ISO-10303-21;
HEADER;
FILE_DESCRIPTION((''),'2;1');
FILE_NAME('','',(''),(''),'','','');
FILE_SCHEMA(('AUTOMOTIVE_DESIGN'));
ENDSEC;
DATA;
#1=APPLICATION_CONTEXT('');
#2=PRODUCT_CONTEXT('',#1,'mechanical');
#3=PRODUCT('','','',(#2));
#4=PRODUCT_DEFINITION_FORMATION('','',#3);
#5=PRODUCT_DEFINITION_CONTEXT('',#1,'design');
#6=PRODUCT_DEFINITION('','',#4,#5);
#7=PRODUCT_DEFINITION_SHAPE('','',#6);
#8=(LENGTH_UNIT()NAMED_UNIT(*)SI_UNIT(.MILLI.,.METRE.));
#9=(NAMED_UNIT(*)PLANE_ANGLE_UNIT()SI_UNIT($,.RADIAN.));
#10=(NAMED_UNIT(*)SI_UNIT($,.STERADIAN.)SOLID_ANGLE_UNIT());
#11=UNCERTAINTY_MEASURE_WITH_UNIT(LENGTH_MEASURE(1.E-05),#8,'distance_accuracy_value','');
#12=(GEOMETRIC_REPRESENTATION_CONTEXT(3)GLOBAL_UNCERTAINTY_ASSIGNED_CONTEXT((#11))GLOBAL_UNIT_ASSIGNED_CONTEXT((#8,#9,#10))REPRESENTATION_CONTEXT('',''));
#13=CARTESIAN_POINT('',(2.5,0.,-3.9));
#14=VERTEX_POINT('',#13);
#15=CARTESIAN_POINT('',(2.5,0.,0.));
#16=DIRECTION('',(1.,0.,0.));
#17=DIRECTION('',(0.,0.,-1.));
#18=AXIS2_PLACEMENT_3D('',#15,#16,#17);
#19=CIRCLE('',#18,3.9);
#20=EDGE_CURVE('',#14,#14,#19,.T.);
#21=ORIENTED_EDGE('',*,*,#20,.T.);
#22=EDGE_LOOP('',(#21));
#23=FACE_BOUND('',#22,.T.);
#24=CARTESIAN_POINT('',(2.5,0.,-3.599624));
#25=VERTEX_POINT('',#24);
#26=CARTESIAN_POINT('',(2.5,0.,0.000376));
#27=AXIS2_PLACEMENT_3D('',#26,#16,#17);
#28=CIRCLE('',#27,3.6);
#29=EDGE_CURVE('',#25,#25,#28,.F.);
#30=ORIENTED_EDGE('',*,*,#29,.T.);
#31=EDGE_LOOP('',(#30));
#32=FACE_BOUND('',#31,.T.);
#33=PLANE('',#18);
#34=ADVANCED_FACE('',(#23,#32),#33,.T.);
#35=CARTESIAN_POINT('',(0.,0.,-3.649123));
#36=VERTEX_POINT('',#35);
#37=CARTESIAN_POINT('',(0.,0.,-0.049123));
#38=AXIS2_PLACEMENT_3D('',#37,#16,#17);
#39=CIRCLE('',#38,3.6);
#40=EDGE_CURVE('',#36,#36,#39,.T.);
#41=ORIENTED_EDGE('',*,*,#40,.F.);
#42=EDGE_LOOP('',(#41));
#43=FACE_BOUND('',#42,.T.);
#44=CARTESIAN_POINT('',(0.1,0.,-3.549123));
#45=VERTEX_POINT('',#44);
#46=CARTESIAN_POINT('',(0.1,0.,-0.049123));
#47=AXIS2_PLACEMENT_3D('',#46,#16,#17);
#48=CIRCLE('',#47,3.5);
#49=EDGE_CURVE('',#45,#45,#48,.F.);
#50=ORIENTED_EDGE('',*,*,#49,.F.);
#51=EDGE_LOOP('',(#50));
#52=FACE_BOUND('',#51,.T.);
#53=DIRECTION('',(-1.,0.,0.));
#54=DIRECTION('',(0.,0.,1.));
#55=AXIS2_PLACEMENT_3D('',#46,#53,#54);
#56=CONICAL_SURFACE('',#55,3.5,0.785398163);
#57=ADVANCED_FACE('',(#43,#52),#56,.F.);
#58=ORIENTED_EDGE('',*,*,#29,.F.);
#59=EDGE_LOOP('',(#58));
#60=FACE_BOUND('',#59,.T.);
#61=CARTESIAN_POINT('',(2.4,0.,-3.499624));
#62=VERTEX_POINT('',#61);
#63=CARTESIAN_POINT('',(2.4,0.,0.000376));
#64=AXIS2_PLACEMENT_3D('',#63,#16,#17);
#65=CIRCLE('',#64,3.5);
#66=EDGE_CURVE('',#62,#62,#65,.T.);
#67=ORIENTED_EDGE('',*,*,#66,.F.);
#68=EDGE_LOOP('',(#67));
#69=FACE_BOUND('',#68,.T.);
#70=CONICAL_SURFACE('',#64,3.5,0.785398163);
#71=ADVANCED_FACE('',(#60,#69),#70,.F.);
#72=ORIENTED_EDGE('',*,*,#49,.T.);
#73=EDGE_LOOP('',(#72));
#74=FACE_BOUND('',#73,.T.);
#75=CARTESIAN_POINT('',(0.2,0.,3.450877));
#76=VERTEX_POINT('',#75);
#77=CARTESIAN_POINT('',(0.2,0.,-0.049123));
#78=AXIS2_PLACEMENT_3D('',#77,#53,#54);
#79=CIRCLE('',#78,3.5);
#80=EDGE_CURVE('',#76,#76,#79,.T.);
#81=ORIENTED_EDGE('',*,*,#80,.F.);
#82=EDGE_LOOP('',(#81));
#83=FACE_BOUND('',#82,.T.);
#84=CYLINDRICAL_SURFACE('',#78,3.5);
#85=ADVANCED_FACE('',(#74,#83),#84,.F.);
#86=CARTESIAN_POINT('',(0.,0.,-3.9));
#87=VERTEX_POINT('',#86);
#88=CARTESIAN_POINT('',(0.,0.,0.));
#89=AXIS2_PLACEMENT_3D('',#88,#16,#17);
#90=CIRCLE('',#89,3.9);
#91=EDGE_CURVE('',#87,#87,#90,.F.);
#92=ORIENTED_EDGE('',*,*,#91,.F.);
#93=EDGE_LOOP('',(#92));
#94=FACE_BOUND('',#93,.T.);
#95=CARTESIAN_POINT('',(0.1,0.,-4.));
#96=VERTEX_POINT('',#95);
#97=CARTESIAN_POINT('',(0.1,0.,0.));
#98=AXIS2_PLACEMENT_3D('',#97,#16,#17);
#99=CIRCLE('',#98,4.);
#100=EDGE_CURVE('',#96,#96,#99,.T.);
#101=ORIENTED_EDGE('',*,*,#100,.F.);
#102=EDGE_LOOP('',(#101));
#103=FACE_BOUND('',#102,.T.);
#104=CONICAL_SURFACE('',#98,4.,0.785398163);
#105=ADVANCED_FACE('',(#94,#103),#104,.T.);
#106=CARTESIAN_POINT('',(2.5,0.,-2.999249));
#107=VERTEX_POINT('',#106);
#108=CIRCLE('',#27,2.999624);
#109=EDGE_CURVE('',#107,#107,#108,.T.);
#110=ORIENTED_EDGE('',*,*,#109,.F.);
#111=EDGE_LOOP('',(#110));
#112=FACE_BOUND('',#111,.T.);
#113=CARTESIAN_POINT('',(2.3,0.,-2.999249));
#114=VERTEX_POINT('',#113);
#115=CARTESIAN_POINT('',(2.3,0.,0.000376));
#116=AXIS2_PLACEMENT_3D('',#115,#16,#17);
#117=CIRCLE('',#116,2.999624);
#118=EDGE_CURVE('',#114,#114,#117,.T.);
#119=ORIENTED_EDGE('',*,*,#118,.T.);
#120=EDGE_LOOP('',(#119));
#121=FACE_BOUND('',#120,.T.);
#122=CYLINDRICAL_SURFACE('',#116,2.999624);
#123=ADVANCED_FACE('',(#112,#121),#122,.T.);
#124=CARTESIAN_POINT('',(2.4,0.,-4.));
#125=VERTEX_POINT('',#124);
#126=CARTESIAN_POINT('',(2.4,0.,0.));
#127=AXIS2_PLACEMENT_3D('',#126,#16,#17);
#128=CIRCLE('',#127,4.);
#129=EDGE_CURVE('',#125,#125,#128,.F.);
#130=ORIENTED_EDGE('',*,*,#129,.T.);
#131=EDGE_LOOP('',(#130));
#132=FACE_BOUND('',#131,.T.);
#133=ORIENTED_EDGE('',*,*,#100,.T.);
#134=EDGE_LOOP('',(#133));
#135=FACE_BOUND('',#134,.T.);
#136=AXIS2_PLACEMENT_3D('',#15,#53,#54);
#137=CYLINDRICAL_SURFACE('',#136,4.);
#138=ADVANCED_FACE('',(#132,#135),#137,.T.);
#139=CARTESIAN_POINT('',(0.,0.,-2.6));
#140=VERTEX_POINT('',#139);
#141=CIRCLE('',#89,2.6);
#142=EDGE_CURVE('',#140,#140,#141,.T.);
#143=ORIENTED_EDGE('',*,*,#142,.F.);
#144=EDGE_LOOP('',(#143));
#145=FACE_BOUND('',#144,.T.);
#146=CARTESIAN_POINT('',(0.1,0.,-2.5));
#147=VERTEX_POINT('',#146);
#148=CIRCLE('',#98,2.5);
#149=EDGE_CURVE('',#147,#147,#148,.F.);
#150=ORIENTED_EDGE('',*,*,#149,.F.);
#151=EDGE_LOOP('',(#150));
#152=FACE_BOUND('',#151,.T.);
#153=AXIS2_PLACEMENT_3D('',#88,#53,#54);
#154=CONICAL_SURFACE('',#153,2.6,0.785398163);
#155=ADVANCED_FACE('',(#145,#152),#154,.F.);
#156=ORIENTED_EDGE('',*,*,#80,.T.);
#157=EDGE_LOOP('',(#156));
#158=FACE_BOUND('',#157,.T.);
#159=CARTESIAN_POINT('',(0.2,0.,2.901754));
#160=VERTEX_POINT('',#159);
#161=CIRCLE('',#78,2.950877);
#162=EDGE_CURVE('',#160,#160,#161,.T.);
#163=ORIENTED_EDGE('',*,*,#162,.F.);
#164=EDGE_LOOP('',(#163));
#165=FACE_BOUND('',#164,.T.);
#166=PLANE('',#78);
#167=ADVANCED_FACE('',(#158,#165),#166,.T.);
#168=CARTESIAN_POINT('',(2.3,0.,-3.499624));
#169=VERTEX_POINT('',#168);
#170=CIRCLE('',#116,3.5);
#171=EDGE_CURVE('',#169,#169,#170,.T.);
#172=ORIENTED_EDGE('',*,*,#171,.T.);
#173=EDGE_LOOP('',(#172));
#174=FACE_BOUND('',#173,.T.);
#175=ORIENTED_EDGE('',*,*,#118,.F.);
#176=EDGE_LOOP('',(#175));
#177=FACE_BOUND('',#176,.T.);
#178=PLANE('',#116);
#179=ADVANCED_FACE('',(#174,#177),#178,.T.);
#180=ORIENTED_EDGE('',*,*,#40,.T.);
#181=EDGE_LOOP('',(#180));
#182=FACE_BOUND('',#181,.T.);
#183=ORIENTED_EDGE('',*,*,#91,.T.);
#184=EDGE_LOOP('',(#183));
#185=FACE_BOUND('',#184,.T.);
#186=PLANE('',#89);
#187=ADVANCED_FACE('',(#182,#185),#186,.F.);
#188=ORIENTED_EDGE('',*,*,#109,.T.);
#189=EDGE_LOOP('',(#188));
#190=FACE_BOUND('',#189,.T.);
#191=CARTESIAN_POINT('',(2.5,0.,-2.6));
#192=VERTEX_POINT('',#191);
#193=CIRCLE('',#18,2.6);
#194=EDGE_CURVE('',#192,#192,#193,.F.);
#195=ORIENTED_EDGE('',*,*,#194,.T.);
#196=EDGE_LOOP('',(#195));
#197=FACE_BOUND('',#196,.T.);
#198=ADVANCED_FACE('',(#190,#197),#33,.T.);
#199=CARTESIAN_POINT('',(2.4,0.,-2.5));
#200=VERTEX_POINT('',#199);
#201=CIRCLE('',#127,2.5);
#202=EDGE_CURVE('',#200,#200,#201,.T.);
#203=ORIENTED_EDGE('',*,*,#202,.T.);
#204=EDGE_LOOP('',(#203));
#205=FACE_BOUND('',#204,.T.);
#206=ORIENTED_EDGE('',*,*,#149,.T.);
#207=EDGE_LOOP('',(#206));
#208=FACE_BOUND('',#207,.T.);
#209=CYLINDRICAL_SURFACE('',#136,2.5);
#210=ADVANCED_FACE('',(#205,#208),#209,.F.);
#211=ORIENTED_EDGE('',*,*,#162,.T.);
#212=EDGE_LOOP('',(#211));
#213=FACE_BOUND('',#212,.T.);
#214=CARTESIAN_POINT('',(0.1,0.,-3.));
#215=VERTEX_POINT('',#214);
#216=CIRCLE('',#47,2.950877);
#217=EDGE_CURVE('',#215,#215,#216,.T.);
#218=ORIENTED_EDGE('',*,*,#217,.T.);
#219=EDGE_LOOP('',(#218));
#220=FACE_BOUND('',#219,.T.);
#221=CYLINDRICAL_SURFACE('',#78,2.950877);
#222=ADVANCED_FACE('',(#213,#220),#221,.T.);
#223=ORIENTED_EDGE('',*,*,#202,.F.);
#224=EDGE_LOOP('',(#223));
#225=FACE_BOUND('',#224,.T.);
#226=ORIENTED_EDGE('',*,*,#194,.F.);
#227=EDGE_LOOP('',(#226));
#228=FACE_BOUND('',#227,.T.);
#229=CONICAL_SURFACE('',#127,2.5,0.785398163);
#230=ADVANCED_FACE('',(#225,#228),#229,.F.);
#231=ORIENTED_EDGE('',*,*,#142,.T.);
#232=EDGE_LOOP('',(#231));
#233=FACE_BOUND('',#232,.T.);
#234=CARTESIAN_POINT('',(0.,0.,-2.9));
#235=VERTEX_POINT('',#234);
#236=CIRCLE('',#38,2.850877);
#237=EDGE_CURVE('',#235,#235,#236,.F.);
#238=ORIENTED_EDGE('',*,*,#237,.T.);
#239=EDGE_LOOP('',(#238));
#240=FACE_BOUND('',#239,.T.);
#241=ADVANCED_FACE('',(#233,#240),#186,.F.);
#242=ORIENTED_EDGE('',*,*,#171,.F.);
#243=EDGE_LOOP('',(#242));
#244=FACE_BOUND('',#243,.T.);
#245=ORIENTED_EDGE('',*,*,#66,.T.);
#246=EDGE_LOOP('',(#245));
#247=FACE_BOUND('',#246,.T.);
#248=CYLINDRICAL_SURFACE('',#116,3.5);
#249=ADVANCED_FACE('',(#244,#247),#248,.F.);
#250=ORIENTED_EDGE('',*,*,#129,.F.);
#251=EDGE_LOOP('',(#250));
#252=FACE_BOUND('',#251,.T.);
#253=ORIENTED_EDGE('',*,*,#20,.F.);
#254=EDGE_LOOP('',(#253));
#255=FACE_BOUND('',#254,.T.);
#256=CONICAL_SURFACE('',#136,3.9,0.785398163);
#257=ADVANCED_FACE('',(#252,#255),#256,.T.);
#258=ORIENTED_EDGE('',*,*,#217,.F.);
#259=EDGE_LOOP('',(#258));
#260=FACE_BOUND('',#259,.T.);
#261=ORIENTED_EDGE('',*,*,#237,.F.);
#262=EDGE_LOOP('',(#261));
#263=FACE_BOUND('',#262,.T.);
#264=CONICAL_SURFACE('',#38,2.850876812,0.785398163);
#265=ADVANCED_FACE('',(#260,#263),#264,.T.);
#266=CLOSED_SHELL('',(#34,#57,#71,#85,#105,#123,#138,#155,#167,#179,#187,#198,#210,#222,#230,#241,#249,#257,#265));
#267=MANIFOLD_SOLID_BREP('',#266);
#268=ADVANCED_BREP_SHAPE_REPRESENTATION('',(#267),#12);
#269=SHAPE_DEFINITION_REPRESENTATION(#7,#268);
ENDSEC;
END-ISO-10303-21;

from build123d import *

# Parameters (mm, degrees)
SKETCH_1_R          = 4
SKETCH_1_R_2        = 2.5
EXTRUDE_1_DEPTH     = 2.5
SKETCH_2_R          = 3.5
SKETCH_2_R_2        = 2.999624375
CUT_EXTRUDE_1_DEPTH = 0.2
SKETCH_3_R          = 3.5
SKETCH_3_R_2        = 2.950876812
CUT_EXTRUDE_2_DEPTH = 0.2
CHAMFER_1_SIZE      = 0.1


with BuildPart() as part:
    # 草图1 → 凸台-拉伸1 (new body)
    with BuildSketch(Plane(origin=(0, 0, 0), x_dir=(0, 0, -1), z_dir=(1, 0, 0))):
        Circle(SKETCH_1_R)
        Circle(SKETCH_1_R_2, mode=Mode.SUBTRACT)
    extrude(amount=EXTRUDE_1_DEPTH)

    # 草图2 → 切除-拉伸1 (cut)
    with BuildSketch(Plane(origin=(2.5, 0, 0), x_dir=(0, 0, -1), z_dir=(1, 0, 0))):
        with Locations((-0.000375625, 0)):
            Circle(SKETCH_2_R)
        with Locations((-0.000375625, 0)):
            Circle(SKETCH_2_R_2, mode=Mode.SUBTRACT)
    extrude(amount=-CUT_EXTRUDE_1_DEPTH, mode=Mode.SUBTRACT)

    # 草图3 → 切除-拉伸2 (cut)
    with BuildSketch(Plane.ZY):
        with Locations((-0.049123188, 0)):
            Circle(SKETCH_3_R)
        with Locations((-0.049123188, 0)):
            Circle(SKETCH_3_R_2, mode=Mode.SUBTRACT)
    extrude(amount=-CUT_EXTRUDE_2_DEPTH, mode=Mode.SUBTRACT)

    # 倒角1
    chamfer_1_edges = [part.edges().sort_by_distance(p)[0] for p in [
        (2.5, 0, 3.500375625),
        (0, 0, 4),
        (0, 0, -3.549123188),
        (0, 0, -3),
        (2.5, 0, 4),
        (0, 0, 2.5),
        (2.5, 0, 2.5),
    ]]
    chamfer(chamfer_1_edges, length=CHAMFER_1_SIZE)


solid = part.part
